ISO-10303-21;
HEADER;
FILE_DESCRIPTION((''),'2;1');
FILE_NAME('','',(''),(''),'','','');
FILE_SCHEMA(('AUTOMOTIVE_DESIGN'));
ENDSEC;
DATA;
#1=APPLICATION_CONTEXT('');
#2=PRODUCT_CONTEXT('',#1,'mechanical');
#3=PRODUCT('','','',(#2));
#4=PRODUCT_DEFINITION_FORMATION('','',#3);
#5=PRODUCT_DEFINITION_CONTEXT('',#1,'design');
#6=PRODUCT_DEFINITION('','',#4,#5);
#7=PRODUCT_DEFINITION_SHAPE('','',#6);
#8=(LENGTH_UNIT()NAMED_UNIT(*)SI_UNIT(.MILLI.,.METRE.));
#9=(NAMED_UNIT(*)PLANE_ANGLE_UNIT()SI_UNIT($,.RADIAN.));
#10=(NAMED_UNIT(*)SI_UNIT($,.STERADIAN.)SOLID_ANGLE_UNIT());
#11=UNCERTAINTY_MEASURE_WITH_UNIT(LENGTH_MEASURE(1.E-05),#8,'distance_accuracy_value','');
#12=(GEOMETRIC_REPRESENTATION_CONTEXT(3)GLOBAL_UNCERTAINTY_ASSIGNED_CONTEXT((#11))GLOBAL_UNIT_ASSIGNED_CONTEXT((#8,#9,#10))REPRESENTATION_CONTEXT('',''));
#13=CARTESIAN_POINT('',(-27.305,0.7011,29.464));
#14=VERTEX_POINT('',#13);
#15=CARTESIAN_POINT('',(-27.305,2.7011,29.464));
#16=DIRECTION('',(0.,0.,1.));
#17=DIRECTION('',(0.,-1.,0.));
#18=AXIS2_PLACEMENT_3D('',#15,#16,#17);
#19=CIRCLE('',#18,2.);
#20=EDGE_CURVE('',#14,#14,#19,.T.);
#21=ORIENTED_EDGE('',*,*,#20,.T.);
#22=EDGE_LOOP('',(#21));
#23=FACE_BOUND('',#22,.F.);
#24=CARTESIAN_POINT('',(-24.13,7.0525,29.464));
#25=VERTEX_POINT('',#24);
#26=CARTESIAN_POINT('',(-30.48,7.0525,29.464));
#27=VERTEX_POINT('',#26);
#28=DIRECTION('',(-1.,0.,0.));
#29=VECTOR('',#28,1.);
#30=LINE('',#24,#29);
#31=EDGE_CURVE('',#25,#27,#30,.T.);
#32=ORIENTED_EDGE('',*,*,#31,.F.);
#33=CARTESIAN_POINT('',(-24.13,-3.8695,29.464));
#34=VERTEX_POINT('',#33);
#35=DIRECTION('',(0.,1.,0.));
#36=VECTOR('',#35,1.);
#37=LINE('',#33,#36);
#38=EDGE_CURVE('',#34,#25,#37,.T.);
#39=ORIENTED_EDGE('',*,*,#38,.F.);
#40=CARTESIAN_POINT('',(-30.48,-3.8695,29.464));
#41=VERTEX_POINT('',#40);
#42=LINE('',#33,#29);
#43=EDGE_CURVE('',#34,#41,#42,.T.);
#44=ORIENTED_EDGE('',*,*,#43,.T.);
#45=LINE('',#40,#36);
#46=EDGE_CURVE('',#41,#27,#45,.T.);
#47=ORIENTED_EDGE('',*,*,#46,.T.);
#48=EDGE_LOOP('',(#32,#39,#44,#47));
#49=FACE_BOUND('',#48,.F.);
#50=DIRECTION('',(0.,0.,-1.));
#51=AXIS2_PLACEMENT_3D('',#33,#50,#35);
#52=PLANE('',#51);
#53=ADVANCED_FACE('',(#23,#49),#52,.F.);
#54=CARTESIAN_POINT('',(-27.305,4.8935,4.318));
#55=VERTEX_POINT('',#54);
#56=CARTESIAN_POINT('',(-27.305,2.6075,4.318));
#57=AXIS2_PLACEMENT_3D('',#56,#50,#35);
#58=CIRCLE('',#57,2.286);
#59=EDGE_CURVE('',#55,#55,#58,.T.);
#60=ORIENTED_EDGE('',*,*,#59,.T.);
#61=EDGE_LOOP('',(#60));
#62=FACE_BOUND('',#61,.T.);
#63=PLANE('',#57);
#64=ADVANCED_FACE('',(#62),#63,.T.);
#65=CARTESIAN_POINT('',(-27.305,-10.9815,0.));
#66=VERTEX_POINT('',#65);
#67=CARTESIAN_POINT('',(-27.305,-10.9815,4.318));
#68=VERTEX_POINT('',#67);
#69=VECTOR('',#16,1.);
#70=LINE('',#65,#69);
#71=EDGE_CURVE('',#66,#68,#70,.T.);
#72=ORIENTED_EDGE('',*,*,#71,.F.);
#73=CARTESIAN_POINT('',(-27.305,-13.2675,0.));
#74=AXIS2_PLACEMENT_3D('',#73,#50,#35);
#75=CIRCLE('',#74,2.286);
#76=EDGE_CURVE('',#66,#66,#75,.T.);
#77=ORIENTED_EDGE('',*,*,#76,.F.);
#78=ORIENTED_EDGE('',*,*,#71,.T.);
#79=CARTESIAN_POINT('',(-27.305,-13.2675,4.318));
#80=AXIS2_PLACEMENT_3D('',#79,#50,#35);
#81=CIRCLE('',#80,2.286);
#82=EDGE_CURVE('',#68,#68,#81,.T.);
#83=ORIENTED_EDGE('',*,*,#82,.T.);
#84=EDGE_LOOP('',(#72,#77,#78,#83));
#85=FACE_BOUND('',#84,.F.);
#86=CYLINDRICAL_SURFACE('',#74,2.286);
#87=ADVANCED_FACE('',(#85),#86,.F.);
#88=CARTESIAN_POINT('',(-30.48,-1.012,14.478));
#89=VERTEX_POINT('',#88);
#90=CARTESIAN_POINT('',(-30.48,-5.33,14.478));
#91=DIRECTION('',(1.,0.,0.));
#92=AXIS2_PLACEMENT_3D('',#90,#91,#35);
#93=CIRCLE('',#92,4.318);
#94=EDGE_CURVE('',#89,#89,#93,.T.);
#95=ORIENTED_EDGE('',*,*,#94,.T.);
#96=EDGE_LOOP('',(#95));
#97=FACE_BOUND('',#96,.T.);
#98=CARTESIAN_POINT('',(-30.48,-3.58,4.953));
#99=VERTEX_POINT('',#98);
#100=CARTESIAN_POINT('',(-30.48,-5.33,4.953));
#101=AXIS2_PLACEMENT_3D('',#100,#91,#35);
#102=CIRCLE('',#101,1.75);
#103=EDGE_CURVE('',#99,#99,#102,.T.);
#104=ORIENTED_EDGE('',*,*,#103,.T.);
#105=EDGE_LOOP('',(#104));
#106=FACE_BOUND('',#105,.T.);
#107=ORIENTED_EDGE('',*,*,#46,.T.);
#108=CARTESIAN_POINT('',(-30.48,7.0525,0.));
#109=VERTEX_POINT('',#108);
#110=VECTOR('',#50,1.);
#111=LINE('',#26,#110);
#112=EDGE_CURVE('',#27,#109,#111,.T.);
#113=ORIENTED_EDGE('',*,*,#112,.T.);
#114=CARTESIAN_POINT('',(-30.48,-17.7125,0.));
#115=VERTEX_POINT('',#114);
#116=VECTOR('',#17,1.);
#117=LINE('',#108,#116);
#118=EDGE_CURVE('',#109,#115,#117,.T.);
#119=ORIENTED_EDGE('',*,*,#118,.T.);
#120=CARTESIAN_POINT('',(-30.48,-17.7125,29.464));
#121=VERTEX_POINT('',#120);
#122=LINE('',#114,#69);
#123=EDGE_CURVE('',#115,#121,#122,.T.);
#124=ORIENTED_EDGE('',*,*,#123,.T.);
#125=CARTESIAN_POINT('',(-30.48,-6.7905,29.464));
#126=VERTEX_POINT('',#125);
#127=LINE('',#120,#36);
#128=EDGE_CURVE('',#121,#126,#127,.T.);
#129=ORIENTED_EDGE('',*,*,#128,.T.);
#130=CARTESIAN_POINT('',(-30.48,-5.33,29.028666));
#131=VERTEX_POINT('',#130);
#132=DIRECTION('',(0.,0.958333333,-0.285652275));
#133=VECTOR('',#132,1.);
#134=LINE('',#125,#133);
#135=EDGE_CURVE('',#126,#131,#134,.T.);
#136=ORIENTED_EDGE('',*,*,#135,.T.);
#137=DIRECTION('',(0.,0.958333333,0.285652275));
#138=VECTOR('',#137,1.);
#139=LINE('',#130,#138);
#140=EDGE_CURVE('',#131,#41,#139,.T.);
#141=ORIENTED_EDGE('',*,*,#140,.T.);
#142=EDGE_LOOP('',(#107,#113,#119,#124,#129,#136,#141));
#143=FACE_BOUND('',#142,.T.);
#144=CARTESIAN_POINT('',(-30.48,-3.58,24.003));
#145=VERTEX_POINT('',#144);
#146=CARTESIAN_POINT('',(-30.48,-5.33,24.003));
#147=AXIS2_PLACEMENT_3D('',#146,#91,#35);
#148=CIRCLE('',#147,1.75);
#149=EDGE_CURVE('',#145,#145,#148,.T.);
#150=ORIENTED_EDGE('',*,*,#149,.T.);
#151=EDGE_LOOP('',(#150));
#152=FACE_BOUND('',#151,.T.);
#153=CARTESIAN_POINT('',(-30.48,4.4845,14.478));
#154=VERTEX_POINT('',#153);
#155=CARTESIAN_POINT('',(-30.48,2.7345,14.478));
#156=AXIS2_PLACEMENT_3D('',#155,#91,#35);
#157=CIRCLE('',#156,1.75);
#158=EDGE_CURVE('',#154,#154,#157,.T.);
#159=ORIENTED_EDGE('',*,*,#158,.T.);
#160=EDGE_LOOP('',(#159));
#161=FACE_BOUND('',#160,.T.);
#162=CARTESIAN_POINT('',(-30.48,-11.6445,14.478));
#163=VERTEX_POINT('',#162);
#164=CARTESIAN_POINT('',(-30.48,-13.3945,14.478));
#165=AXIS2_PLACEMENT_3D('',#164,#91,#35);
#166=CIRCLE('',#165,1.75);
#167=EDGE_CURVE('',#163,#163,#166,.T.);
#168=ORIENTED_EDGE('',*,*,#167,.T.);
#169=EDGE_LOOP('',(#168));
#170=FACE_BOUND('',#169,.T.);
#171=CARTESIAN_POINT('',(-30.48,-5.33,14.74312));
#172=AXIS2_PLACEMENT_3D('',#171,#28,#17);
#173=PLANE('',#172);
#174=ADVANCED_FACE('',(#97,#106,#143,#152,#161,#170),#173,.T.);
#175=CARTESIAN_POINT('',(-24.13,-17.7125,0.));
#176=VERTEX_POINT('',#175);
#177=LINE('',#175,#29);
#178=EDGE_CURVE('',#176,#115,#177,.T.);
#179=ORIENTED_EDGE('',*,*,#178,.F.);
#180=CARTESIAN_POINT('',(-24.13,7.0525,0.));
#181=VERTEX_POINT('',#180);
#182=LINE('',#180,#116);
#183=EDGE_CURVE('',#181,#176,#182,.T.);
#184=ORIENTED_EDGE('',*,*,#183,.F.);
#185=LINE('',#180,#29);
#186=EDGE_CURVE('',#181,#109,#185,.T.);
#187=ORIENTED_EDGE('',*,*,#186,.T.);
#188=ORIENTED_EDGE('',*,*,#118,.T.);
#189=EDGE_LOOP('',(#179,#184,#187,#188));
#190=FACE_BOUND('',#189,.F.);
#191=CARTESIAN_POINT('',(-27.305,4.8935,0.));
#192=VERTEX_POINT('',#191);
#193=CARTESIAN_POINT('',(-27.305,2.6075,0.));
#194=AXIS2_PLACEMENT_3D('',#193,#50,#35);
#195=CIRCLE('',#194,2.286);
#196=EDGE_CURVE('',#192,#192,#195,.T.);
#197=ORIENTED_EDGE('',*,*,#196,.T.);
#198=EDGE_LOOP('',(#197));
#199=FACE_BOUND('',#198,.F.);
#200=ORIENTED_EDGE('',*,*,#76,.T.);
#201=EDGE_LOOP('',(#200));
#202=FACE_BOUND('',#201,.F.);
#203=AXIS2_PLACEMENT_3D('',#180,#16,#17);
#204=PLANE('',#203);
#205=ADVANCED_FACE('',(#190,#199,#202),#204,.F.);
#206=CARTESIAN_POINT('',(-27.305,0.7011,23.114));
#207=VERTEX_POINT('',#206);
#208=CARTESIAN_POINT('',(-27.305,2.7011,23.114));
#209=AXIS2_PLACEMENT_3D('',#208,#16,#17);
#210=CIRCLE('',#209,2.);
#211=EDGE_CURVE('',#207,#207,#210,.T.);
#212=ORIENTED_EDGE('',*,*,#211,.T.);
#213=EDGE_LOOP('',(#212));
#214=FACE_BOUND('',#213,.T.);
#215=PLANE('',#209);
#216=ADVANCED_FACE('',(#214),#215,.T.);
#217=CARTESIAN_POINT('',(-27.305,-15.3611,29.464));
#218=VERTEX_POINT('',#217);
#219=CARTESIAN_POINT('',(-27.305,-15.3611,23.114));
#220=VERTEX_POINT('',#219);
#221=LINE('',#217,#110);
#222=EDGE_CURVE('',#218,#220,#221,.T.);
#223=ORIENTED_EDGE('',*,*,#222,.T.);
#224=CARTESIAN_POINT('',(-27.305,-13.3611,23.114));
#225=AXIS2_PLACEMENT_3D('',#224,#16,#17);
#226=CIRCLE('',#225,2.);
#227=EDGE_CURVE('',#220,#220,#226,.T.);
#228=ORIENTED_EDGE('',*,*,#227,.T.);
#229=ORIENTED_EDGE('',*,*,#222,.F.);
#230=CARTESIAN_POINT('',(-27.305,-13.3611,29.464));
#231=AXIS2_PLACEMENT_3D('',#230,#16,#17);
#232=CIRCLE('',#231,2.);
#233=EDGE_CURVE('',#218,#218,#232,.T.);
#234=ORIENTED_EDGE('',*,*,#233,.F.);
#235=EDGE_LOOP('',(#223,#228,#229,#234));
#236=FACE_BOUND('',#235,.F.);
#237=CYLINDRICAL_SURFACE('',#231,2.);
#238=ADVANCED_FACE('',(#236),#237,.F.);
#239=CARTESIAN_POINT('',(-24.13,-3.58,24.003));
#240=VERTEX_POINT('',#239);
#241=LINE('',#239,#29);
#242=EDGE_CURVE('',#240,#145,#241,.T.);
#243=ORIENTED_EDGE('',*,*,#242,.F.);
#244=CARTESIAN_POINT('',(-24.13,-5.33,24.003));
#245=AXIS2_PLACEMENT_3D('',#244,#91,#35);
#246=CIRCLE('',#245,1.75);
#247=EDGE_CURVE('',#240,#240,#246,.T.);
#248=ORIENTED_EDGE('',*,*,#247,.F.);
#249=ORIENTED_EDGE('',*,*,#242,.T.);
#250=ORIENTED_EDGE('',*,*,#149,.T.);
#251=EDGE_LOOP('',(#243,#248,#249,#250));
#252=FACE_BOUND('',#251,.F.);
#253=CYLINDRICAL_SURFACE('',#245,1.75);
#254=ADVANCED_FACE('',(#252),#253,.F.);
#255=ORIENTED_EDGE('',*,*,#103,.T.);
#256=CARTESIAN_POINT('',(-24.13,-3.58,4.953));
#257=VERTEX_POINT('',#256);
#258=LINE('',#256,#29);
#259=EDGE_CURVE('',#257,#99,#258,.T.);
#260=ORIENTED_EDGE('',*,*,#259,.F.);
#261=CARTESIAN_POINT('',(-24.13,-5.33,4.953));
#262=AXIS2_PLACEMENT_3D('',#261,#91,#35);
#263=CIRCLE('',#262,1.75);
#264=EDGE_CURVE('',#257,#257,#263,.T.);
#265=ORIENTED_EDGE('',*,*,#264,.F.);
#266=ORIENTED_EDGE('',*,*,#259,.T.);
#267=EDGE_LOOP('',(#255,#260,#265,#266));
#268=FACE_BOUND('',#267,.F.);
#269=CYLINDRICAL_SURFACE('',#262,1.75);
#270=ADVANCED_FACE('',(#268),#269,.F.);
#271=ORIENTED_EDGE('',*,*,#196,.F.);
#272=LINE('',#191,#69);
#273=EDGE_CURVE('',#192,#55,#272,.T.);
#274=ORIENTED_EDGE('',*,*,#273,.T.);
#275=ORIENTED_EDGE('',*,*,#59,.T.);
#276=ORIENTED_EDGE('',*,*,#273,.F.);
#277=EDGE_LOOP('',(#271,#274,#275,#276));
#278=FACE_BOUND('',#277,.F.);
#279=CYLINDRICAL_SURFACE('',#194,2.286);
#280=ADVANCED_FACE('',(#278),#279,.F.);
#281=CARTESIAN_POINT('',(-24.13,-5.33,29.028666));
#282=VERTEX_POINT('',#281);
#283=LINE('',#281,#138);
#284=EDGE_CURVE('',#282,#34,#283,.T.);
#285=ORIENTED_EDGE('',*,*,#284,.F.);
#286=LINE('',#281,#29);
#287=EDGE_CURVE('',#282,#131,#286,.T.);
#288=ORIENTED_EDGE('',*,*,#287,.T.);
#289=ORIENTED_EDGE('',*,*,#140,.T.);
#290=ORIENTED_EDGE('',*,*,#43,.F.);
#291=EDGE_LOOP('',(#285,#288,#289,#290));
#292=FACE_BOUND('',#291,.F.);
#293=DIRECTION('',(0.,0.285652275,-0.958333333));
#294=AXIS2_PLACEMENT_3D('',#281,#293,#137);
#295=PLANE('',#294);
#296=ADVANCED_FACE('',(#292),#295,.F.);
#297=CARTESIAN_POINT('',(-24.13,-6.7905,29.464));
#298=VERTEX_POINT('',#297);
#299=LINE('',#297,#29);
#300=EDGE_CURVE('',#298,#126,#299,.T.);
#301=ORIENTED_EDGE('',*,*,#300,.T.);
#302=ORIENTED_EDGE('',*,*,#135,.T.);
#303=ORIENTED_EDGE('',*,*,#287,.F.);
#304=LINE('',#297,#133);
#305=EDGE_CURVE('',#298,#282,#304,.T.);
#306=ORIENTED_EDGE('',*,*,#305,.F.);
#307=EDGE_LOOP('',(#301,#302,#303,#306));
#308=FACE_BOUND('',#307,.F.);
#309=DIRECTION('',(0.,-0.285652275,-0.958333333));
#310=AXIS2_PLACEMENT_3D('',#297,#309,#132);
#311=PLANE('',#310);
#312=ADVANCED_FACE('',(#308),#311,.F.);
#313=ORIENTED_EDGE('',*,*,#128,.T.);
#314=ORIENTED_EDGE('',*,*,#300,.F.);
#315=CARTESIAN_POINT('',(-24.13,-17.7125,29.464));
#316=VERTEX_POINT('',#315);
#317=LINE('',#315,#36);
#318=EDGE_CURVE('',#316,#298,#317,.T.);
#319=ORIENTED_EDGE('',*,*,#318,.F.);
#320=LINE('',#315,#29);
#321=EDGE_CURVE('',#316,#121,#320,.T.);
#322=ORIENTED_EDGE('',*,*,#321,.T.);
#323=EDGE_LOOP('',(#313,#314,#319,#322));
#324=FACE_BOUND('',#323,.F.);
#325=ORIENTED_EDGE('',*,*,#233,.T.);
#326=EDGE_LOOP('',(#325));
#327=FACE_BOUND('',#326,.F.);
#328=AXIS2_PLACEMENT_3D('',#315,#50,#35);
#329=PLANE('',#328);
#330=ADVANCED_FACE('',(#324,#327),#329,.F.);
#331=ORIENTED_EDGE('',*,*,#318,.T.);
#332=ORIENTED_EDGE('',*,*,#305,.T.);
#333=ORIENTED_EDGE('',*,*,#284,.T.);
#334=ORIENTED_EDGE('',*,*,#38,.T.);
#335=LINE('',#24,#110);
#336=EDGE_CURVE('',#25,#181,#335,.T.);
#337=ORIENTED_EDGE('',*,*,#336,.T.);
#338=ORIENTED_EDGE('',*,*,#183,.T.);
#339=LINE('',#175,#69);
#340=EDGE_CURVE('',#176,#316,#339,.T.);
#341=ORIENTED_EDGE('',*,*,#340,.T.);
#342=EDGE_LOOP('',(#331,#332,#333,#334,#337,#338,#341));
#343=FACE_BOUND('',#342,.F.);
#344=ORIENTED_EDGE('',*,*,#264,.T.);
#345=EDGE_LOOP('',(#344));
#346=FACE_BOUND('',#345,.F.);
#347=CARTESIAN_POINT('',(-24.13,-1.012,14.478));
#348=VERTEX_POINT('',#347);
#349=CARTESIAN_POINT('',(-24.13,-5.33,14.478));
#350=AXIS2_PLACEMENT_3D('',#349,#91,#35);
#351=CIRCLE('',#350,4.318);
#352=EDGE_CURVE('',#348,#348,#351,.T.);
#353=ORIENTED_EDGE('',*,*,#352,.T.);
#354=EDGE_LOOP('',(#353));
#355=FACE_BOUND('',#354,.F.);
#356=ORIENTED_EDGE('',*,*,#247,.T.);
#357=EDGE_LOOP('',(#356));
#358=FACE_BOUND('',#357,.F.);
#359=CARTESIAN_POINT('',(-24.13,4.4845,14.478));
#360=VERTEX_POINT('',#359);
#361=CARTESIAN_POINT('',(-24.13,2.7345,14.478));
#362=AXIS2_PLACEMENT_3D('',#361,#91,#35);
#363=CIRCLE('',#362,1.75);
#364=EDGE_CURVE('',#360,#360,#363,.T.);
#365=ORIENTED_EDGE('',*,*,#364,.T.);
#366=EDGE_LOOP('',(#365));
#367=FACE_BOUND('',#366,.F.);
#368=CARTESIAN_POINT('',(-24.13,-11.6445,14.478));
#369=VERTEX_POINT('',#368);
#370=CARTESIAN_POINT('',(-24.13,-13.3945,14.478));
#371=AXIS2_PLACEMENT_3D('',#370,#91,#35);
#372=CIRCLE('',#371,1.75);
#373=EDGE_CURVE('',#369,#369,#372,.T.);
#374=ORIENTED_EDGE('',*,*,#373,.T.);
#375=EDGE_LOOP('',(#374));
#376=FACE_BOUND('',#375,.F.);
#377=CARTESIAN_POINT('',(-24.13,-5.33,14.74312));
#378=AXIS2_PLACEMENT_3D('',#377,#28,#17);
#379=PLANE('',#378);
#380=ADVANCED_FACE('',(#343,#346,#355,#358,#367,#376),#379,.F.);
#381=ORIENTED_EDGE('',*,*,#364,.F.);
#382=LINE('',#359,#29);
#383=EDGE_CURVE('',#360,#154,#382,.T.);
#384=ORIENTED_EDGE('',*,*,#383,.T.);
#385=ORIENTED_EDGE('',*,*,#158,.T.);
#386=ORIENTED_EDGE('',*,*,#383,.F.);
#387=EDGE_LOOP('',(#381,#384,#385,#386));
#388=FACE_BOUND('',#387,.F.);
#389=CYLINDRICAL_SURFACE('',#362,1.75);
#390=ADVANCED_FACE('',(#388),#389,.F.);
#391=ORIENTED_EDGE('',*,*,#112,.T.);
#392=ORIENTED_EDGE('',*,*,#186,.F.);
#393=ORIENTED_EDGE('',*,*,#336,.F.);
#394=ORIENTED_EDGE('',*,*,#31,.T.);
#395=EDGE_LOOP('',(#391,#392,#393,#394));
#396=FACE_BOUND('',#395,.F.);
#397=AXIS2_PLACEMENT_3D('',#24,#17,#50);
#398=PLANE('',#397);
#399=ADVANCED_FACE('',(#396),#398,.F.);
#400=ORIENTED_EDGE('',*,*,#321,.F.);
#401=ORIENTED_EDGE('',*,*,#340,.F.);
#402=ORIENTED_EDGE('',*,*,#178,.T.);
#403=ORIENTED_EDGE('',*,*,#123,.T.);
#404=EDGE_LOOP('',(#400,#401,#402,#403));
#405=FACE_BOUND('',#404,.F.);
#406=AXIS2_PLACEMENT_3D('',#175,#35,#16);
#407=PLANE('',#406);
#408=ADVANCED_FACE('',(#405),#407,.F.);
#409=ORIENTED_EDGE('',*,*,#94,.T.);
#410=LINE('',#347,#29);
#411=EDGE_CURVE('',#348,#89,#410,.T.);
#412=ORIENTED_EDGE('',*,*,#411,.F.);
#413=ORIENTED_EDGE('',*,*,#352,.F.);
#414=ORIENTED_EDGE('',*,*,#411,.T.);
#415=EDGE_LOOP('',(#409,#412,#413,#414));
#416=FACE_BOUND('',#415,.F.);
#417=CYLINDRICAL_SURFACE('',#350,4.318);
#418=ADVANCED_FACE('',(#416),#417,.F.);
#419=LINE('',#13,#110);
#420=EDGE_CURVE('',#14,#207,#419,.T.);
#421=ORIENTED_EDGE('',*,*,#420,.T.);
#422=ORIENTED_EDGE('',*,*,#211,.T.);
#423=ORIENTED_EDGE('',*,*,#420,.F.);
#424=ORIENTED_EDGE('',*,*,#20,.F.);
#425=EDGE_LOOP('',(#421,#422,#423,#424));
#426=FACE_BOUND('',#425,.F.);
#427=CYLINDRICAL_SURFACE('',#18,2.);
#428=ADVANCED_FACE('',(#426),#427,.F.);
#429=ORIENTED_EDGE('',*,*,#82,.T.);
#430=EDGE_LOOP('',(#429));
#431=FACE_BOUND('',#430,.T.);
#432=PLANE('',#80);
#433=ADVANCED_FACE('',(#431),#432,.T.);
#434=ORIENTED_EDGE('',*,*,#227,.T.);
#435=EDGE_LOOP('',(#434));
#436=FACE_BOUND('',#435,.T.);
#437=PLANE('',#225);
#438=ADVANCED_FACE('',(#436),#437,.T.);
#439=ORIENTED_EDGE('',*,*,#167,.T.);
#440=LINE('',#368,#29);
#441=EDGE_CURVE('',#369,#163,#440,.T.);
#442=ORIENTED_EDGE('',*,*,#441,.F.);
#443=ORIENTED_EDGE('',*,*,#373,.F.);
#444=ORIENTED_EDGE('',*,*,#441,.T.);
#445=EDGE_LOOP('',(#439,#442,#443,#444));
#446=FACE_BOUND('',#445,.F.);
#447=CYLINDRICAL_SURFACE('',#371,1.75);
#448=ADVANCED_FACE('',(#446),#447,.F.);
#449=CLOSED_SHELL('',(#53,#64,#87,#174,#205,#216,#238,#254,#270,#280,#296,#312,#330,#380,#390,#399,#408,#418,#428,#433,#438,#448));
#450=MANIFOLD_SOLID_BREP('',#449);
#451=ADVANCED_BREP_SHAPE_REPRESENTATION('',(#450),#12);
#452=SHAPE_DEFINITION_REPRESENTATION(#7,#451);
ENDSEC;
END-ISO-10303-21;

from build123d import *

# Parameters (mm, degrees)
SKETCH028_R     = 1.75
SKETCH028_R_2   = 4.318
PAD017_DEPTH    = 6.35
SKETCH036_R     = 2
POCKET014_DEPTH = 6.35
SKETCH050_R     = 2.286
POCKET022_DEPTH = 4.318


with BuildPart() as part:
    # Sketch028 → Pad017 (new body)
    with BuildSketch(Plane.YZ):
        Polygon((12.3825, 0), (-12.3825, 0), (-12.3825, 29.464), (-1.4605, 29.464), (0, 29.0286659329), (1.4605, 29.464), (12.3825, 29.464), align=None)
        with Locations((0, 24.003)):
            Circle(SKETCH028_R, mode=Mode.SUBTRACT)
        with Locations((8.0645, 14.478)):
            Circle(SKETCH028_R, mode=Mode.SUBTRACT)
        with Locations((0, 4.953)):
            Circle(SKETCH028_R, mode=Mode.SUBTRACT)
        with Locations((-8.0645, 14.478)):
            Circle(SKETCH028_R, mode=Mode.SUBTRACT)
        with Locations((0, 14.478)):
            Circle(SKETCH028_R_2, mode=Mode.SUBTRACT)
    extrude(amount=-PAD017_DEPTH)

    # Sketch036 (on Face1 of Pad017) → Pocket014 (cut)
    with BuildSketch(Plane(origin=(0, 0, 29.464), x_dir=(0, -1, 0), z_dir=(0, 0, 1))):
        with Locations((-8.0310998827, -3.175)):
            Circle(SKETCH036_R)
        with Locations((8.0310998827, -3.175)):
            Circle(SKETCH036_R)
    extrude(amount=-POCKET014_DEPTH, mode=Mode.SUBTRACT)

    # Sketch050 (on Face8 of Pocket014) → Pocket022 (cut)
    with BuildSketch(Plane.YX):
        with Locations((-7.9375, -3.175)):
            Circle(SKETCH050_R)
        with Locations((7.9375, -3.175)):
            Circle(SKETCH050_R)
    extrude(amount=-POCKET022_DEPTH, mode=Mode.SUBTRACT)


with BuildPart() as part_1:
    # Body010 placement: moved
    add(part.part.moved(Location((-24.13, -5.33, 0))))


solid = part_1.part
